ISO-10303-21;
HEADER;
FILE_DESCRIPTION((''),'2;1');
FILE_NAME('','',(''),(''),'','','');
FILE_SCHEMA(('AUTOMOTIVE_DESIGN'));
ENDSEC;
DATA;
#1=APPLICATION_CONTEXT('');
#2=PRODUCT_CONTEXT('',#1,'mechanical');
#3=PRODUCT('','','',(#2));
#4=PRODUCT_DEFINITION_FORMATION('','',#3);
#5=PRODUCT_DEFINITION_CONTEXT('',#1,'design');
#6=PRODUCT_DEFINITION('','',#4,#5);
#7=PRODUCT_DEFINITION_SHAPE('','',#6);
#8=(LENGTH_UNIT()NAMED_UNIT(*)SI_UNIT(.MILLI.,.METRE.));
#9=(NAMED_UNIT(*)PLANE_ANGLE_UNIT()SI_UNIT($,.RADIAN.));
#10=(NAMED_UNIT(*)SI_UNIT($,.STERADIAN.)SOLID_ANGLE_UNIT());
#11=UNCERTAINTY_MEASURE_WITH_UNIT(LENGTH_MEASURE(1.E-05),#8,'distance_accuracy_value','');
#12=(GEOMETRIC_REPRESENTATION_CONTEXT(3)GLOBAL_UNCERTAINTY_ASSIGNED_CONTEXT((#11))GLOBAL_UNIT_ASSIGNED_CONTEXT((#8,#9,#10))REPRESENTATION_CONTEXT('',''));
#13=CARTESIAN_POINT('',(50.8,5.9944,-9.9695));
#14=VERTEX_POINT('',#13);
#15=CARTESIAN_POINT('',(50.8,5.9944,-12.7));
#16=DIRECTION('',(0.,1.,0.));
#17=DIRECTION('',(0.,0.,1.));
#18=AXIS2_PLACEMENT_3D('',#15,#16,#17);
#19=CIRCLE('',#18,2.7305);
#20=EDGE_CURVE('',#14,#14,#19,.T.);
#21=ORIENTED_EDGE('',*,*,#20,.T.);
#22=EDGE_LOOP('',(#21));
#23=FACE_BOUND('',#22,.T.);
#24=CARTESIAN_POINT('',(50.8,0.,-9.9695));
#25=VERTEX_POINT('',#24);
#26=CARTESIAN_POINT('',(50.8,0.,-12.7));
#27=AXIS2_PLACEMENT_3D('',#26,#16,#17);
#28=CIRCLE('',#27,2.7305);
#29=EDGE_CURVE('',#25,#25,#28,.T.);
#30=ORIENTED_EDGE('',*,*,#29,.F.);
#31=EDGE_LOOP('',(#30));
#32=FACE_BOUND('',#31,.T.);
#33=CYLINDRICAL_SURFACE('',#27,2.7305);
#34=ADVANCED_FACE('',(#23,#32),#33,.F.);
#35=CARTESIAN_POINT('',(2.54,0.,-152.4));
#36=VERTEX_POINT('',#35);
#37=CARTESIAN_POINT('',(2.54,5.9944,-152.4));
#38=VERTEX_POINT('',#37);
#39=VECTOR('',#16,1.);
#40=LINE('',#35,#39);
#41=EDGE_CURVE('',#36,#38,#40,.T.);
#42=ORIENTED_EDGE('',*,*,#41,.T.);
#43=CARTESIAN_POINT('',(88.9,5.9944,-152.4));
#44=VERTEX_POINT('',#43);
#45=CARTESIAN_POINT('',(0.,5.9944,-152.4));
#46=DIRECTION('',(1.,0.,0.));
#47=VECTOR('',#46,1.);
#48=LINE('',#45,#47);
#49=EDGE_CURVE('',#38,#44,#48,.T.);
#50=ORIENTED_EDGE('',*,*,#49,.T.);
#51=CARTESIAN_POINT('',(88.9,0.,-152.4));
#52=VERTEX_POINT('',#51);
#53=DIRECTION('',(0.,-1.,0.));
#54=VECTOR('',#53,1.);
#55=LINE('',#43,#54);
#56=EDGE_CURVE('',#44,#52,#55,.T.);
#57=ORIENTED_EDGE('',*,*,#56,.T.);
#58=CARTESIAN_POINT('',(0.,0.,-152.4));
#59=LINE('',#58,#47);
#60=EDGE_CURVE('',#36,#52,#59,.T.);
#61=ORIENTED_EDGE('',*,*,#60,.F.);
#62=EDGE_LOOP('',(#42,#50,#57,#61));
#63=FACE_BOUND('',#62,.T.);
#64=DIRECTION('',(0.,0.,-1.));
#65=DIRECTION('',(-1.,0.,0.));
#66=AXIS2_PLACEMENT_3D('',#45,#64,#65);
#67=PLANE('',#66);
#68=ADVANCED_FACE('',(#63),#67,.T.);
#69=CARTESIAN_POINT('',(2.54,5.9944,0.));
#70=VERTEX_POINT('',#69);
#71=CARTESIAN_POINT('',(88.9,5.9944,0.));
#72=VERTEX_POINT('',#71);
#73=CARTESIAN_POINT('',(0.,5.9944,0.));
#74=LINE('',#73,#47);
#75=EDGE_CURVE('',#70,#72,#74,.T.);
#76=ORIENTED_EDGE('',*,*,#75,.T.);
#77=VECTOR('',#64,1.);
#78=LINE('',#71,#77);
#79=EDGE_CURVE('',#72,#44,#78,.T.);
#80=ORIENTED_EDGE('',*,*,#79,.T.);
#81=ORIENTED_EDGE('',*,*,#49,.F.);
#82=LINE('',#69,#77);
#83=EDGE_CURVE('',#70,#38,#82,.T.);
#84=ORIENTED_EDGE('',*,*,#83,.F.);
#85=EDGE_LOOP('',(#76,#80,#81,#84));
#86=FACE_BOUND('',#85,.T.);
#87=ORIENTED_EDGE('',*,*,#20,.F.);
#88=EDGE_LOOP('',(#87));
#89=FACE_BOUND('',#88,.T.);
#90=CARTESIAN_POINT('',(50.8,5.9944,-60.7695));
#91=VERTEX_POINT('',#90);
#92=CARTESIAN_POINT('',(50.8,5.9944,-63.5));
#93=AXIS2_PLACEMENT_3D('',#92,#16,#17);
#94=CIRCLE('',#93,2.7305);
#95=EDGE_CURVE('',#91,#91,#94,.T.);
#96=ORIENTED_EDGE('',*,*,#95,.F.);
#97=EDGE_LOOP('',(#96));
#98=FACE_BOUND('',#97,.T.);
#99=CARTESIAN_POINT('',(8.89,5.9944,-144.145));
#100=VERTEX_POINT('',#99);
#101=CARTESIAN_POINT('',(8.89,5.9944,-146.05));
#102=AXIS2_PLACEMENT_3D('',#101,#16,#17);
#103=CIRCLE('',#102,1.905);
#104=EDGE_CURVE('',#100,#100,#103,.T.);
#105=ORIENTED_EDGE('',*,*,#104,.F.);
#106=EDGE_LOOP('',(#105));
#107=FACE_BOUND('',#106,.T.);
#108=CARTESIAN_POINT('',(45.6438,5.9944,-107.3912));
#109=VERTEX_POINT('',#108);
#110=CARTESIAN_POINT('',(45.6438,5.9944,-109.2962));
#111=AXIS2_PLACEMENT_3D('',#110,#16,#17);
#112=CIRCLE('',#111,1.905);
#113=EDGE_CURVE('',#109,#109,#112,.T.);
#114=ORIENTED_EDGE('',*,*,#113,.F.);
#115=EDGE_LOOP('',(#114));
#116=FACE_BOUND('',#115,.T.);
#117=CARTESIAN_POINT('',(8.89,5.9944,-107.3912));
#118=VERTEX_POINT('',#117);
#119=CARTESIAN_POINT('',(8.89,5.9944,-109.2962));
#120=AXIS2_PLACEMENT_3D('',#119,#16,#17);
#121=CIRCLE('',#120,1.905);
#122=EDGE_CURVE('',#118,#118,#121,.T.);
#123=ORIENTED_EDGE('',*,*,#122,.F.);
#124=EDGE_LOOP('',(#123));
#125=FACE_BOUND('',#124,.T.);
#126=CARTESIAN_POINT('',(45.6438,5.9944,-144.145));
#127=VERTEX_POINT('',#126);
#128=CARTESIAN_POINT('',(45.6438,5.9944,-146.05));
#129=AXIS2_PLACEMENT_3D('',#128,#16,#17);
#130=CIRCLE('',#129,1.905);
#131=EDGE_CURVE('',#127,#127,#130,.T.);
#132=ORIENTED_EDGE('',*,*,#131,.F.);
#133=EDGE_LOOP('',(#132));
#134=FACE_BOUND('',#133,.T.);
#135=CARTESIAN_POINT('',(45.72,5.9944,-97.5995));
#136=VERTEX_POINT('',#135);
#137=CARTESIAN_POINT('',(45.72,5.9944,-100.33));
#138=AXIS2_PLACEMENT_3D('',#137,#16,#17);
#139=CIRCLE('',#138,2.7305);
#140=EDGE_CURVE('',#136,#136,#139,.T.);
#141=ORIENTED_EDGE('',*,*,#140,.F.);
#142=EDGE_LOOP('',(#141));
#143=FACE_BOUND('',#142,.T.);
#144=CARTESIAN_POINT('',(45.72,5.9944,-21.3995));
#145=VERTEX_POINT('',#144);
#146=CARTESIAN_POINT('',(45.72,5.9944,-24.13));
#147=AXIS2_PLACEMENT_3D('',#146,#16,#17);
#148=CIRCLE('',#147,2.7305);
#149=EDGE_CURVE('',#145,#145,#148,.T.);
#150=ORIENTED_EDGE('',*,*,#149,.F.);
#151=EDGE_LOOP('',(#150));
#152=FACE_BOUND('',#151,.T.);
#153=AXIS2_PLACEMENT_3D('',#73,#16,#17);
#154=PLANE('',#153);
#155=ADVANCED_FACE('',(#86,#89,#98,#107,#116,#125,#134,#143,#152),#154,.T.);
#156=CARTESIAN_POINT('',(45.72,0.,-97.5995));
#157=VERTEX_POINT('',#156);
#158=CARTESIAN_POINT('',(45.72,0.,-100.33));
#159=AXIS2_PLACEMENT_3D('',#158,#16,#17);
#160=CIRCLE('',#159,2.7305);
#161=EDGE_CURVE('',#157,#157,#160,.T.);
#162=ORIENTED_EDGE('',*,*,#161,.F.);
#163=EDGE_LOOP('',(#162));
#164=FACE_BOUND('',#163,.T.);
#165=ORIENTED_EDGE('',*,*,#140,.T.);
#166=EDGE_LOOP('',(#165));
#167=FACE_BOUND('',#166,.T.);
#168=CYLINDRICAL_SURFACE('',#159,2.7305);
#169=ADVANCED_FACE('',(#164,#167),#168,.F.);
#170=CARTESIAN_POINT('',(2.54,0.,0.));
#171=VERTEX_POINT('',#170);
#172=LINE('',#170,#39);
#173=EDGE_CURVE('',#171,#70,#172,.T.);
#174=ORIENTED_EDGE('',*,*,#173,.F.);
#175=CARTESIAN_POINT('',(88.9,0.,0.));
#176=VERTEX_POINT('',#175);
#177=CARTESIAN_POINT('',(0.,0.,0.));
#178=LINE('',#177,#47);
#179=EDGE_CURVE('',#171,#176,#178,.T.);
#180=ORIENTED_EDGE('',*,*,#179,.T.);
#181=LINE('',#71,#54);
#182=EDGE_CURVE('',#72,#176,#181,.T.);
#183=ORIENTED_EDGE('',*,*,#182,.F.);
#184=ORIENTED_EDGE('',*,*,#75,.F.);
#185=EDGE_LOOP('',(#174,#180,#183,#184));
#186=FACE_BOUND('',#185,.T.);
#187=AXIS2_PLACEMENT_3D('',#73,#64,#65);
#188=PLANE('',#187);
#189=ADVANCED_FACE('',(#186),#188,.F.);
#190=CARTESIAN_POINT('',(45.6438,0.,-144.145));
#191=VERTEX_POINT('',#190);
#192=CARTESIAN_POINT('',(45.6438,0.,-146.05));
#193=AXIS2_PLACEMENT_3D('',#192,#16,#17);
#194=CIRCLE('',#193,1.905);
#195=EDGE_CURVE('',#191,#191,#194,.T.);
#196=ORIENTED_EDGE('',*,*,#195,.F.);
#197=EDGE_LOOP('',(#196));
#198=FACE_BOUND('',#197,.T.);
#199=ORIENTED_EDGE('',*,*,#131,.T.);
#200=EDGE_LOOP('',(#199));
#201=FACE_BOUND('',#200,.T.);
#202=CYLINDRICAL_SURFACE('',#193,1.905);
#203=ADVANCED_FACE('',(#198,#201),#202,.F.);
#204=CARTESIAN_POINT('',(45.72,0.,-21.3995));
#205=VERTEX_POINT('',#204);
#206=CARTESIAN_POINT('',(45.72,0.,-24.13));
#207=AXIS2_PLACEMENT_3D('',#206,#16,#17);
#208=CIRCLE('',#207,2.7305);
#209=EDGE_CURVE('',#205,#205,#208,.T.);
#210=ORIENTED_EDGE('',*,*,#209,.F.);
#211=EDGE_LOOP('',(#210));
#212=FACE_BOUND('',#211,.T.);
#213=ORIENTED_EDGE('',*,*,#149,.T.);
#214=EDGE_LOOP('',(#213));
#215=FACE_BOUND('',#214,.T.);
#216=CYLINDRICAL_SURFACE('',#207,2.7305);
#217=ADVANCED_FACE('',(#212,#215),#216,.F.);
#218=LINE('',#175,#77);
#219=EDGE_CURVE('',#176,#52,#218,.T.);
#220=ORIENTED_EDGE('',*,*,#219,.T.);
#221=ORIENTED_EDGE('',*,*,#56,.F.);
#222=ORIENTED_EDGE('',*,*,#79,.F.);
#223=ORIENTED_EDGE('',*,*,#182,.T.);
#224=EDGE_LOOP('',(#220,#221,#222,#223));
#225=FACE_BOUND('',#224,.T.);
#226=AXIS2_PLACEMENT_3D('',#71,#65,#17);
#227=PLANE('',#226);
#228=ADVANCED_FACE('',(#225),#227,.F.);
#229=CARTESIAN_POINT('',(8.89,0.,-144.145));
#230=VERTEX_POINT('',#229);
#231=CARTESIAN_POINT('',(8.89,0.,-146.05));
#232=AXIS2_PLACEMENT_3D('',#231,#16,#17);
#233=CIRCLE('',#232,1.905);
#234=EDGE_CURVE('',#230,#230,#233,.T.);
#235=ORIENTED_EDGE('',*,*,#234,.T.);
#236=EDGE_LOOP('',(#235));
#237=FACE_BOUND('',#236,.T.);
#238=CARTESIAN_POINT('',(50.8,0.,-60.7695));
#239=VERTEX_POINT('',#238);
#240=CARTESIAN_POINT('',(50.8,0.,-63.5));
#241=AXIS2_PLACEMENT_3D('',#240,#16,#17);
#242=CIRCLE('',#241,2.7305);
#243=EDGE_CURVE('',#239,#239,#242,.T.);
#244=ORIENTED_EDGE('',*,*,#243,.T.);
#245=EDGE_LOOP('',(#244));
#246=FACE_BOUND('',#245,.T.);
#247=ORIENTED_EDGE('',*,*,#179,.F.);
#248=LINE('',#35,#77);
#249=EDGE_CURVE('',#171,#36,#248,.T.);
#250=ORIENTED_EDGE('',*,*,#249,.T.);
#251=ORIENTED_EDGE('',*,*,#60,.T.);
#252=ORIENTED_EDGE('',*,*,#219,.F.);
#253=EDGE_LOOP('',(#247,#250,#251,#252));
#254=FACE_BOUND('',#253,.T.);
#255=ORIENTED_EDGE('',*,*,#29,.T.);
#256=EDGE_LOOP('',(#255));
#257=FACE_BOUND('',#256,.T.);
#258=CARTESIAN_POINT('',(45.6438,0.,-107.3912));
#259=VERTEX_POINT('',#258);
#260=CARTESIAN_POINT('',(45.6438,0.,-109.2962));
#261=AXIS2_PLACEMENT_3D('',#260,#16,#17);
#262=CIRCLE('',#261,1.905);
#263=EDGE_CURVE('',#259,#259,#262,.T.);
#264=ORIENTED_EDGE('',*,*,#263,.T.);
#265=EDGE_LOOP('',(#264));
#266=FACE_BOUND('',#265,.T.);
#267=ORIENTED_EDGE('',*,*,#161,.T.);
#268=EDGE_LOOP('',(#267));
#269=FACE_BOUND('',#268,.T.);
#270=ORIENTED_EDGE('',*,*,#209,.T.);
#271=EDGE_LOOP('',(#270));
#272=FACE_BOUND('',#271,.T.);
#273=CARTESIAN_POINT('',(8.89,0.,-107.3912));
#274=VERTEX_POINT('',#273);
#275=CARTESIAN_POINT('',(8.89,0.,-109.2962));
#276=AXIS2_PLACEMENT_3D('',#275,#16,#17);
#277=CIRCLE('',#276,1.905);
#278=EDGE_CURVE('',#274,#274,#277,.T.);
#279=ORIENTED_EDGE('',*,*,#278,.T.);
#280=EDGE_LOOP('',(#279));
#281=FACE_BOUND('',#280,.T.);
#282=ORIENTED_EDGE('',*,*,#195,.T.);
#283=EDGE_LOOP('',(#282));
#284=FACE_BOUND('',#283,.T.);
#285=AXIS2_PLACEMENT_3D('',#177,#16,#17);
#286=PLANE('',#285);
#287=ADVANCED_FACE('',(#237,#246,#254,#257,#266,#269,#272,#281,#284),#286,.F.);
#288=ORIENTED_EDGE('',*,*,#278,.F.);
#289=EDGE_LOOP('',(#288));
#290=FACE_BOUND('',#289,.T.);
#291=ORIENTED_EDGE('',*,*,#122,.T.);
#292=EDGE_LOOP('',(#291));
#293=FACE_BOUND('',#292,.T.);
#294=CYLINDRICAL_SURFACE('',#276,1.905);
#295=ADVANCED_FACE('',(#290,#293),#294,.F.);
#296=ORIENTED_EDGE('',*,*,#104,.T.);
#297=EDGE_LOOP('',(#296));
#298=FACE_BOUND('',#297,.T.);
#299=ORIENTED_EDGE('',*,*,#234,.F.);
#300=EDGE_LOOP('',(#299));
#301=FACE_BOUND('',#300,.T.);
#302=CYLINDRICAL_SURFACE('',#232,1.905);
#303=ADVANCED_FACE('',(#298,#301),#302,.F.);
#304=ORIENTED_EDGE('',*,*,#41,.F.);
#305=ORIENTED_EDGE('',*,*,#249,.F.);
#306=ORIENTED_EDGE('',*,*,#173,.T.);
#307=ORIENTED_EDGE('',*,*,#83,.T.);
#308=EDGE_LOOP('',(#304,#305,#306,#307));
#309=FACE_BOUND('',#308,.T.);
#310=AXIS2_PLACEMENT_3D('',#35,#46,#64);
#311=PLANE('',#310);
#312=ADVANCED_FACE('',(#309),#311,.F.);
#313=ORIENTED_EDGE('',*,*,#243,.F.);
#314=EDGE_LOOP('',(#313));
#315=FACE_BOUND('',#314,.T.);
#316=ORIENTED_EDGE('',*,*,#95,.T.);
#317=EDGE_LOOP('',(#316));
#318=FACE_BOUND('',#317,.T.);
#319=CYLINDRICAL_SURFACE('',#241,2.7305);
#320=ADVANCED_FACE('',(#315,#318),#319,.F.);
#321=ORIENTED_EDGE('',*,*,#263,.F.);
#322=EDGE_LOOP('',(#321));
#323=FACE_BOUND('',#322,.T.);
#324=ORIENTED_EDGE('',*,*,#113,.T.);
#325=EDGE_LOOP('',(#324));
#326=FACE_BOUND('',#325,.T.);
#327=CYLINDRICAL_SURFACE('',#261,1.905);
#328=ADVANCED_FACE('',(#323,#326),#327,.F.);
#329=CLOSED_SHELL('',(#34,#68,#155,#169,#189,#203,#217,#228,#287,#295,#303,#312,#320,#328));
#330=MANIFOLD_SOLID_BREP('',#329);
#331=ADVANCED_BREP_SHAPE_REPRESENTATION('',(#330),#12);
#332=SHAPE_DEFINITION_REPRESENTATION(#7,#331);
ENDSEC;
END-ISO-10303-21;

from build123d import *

# Parameters (mm, degrees)
SKETCH2_W               = 88.9
SKETCH2_H               = 152.4
BOSS_EXTRUDE1_DEPTH     = 5.9944
SKETCH4_R               = 2.7305
CUT_EXTRUDE2_DEPTH      = 1
CUT_EXTRUDE2_DEPTH_BACK = 6.9944
SKETCH5_R               = 2.7305
CUT_EXTRUDE3_DEPTH      = 1
CUT_EXTRUDE3_DEPTH_BACK = 6.9944
SKETCH6_R               = 1.905
CUT_EXTRUDE4_DEPTH      = 1
CUT_EXTRUDE4_DEPTH_BACK = 6.9944
SKETCH7_W               = 2.54
SKETCH7_H               = 152.4
CUT_EXTRUDE5_DEPTH      = 1
CUT_EXTRUDE5_DEPTH_BACK = 6.9944


with BuildPart() as part:
    # Sketch2 → Boss-Extrude1 (new body)
    with BuildSketch(Plane(origin=(0, 0, 0), x_dir=(1, 0, 0), z_dir=(0, 1, 0))):
        with Locations((44.45, 76.2)):
            Rectangle(SKETCH2_W, SKETCH2_H)
    extrude(amount=BOSS_EXTRUDE1_DEPTH)

    # Sketch4 → Cut-Extrude2 (cut, two sides)
    with BuildSketch(Plane(origin=(0, 5.9944, 0), x_dir=(1, 0, 0), z_dir=(0, 1, 0))) as cut_extrude2_sk:
        with Locations((45.72, 100.33)):
            Circle(SKETCH4_R)
        with Locations((45.72, 24.13)):
            Circle(SKETCH4_R)
    extrude(amount=CUT_EXTRUDE2_DEPTH, mode=Mode.SUBTRACT)
    extrude(cut_extrude2_sk.sketch, amount=-CUT_EXTRUDE2_DEPTH_BACK, mode=Mode.SUBTRACT)

    # Sketch5 → Cut-Extrude3 (cut, two sides)
    with BuildSketch(Plane(origin=(0, 5.9944, 0), x_dir=(1, 0, 0), z_dir=(0, 1, 0))) as cut_extrude3_sk:
        with Locations((50.8, 63.5)):
            Circle(SKETCH5_R)
        with Locations((50.8, 12.7)):
            Circle(SKETCH5_R)
    extrude(amount=CUT_EXTRUDE3_DEPTH, mode=Mode.SUBTRACT)
    extrude(cut_extrude3_sk.sketch, amount=-CUT_EXTRUDE3_DEPTH_BACK, mode=Mode.SUBTRACT)

    # Sketch6 → Cut-Extrude4 (cut, two sides)
    with BuildSketch(Plane(origin=(0, 5.9944, 0), x_dir=(1, 0, 0), z_dir=(0, 1, 0))) as cut_extrude4_sk:
        with Locations((45.6438, 109.2962)):
            Circle(SKETCH6_R)
        with Locations((8.89, 109.2962)):
            Circle(SKETCH6_R)
        with Locations((8.89, 146.05)):
            Circle(SKETCH6_R)
        with Locations((45.6438, 146.05)):
            Circle(SKETCH6_R)
    extrude(amount=CUT_EXTRUDE4_DEPTH, mode=Mode.SUBTRACT)
    extrude(cut_extrude4_sk.sketch, amount=-CUT_EXTRUDE4_DEPTH_BACK, mode=Mode.SUBTRACT)

    # Sketch7 → Cut-Extrude5 (cut, two sides)
    with BuildSketch(Plane(origin=(0, 5.9944, 0), x_dir=(1, 0, 0), z_dir=(0, 1, 0))) as cut_extrude5_sk:
        with Locations((1.27, 76.2)):
            Rectangle(SKETCH7_W, SKETCH7_H)
    extrude(amount=CUT_EXTRUDE5_DEPTH, mode=Mode.SUBTRACT)
    extrude(cut_extrude5_sk.sketch, amount=-CUT_EXTRUDE5_DEPTH_BACK, mode=Mode.SUBTRACT)


solid = part.part
